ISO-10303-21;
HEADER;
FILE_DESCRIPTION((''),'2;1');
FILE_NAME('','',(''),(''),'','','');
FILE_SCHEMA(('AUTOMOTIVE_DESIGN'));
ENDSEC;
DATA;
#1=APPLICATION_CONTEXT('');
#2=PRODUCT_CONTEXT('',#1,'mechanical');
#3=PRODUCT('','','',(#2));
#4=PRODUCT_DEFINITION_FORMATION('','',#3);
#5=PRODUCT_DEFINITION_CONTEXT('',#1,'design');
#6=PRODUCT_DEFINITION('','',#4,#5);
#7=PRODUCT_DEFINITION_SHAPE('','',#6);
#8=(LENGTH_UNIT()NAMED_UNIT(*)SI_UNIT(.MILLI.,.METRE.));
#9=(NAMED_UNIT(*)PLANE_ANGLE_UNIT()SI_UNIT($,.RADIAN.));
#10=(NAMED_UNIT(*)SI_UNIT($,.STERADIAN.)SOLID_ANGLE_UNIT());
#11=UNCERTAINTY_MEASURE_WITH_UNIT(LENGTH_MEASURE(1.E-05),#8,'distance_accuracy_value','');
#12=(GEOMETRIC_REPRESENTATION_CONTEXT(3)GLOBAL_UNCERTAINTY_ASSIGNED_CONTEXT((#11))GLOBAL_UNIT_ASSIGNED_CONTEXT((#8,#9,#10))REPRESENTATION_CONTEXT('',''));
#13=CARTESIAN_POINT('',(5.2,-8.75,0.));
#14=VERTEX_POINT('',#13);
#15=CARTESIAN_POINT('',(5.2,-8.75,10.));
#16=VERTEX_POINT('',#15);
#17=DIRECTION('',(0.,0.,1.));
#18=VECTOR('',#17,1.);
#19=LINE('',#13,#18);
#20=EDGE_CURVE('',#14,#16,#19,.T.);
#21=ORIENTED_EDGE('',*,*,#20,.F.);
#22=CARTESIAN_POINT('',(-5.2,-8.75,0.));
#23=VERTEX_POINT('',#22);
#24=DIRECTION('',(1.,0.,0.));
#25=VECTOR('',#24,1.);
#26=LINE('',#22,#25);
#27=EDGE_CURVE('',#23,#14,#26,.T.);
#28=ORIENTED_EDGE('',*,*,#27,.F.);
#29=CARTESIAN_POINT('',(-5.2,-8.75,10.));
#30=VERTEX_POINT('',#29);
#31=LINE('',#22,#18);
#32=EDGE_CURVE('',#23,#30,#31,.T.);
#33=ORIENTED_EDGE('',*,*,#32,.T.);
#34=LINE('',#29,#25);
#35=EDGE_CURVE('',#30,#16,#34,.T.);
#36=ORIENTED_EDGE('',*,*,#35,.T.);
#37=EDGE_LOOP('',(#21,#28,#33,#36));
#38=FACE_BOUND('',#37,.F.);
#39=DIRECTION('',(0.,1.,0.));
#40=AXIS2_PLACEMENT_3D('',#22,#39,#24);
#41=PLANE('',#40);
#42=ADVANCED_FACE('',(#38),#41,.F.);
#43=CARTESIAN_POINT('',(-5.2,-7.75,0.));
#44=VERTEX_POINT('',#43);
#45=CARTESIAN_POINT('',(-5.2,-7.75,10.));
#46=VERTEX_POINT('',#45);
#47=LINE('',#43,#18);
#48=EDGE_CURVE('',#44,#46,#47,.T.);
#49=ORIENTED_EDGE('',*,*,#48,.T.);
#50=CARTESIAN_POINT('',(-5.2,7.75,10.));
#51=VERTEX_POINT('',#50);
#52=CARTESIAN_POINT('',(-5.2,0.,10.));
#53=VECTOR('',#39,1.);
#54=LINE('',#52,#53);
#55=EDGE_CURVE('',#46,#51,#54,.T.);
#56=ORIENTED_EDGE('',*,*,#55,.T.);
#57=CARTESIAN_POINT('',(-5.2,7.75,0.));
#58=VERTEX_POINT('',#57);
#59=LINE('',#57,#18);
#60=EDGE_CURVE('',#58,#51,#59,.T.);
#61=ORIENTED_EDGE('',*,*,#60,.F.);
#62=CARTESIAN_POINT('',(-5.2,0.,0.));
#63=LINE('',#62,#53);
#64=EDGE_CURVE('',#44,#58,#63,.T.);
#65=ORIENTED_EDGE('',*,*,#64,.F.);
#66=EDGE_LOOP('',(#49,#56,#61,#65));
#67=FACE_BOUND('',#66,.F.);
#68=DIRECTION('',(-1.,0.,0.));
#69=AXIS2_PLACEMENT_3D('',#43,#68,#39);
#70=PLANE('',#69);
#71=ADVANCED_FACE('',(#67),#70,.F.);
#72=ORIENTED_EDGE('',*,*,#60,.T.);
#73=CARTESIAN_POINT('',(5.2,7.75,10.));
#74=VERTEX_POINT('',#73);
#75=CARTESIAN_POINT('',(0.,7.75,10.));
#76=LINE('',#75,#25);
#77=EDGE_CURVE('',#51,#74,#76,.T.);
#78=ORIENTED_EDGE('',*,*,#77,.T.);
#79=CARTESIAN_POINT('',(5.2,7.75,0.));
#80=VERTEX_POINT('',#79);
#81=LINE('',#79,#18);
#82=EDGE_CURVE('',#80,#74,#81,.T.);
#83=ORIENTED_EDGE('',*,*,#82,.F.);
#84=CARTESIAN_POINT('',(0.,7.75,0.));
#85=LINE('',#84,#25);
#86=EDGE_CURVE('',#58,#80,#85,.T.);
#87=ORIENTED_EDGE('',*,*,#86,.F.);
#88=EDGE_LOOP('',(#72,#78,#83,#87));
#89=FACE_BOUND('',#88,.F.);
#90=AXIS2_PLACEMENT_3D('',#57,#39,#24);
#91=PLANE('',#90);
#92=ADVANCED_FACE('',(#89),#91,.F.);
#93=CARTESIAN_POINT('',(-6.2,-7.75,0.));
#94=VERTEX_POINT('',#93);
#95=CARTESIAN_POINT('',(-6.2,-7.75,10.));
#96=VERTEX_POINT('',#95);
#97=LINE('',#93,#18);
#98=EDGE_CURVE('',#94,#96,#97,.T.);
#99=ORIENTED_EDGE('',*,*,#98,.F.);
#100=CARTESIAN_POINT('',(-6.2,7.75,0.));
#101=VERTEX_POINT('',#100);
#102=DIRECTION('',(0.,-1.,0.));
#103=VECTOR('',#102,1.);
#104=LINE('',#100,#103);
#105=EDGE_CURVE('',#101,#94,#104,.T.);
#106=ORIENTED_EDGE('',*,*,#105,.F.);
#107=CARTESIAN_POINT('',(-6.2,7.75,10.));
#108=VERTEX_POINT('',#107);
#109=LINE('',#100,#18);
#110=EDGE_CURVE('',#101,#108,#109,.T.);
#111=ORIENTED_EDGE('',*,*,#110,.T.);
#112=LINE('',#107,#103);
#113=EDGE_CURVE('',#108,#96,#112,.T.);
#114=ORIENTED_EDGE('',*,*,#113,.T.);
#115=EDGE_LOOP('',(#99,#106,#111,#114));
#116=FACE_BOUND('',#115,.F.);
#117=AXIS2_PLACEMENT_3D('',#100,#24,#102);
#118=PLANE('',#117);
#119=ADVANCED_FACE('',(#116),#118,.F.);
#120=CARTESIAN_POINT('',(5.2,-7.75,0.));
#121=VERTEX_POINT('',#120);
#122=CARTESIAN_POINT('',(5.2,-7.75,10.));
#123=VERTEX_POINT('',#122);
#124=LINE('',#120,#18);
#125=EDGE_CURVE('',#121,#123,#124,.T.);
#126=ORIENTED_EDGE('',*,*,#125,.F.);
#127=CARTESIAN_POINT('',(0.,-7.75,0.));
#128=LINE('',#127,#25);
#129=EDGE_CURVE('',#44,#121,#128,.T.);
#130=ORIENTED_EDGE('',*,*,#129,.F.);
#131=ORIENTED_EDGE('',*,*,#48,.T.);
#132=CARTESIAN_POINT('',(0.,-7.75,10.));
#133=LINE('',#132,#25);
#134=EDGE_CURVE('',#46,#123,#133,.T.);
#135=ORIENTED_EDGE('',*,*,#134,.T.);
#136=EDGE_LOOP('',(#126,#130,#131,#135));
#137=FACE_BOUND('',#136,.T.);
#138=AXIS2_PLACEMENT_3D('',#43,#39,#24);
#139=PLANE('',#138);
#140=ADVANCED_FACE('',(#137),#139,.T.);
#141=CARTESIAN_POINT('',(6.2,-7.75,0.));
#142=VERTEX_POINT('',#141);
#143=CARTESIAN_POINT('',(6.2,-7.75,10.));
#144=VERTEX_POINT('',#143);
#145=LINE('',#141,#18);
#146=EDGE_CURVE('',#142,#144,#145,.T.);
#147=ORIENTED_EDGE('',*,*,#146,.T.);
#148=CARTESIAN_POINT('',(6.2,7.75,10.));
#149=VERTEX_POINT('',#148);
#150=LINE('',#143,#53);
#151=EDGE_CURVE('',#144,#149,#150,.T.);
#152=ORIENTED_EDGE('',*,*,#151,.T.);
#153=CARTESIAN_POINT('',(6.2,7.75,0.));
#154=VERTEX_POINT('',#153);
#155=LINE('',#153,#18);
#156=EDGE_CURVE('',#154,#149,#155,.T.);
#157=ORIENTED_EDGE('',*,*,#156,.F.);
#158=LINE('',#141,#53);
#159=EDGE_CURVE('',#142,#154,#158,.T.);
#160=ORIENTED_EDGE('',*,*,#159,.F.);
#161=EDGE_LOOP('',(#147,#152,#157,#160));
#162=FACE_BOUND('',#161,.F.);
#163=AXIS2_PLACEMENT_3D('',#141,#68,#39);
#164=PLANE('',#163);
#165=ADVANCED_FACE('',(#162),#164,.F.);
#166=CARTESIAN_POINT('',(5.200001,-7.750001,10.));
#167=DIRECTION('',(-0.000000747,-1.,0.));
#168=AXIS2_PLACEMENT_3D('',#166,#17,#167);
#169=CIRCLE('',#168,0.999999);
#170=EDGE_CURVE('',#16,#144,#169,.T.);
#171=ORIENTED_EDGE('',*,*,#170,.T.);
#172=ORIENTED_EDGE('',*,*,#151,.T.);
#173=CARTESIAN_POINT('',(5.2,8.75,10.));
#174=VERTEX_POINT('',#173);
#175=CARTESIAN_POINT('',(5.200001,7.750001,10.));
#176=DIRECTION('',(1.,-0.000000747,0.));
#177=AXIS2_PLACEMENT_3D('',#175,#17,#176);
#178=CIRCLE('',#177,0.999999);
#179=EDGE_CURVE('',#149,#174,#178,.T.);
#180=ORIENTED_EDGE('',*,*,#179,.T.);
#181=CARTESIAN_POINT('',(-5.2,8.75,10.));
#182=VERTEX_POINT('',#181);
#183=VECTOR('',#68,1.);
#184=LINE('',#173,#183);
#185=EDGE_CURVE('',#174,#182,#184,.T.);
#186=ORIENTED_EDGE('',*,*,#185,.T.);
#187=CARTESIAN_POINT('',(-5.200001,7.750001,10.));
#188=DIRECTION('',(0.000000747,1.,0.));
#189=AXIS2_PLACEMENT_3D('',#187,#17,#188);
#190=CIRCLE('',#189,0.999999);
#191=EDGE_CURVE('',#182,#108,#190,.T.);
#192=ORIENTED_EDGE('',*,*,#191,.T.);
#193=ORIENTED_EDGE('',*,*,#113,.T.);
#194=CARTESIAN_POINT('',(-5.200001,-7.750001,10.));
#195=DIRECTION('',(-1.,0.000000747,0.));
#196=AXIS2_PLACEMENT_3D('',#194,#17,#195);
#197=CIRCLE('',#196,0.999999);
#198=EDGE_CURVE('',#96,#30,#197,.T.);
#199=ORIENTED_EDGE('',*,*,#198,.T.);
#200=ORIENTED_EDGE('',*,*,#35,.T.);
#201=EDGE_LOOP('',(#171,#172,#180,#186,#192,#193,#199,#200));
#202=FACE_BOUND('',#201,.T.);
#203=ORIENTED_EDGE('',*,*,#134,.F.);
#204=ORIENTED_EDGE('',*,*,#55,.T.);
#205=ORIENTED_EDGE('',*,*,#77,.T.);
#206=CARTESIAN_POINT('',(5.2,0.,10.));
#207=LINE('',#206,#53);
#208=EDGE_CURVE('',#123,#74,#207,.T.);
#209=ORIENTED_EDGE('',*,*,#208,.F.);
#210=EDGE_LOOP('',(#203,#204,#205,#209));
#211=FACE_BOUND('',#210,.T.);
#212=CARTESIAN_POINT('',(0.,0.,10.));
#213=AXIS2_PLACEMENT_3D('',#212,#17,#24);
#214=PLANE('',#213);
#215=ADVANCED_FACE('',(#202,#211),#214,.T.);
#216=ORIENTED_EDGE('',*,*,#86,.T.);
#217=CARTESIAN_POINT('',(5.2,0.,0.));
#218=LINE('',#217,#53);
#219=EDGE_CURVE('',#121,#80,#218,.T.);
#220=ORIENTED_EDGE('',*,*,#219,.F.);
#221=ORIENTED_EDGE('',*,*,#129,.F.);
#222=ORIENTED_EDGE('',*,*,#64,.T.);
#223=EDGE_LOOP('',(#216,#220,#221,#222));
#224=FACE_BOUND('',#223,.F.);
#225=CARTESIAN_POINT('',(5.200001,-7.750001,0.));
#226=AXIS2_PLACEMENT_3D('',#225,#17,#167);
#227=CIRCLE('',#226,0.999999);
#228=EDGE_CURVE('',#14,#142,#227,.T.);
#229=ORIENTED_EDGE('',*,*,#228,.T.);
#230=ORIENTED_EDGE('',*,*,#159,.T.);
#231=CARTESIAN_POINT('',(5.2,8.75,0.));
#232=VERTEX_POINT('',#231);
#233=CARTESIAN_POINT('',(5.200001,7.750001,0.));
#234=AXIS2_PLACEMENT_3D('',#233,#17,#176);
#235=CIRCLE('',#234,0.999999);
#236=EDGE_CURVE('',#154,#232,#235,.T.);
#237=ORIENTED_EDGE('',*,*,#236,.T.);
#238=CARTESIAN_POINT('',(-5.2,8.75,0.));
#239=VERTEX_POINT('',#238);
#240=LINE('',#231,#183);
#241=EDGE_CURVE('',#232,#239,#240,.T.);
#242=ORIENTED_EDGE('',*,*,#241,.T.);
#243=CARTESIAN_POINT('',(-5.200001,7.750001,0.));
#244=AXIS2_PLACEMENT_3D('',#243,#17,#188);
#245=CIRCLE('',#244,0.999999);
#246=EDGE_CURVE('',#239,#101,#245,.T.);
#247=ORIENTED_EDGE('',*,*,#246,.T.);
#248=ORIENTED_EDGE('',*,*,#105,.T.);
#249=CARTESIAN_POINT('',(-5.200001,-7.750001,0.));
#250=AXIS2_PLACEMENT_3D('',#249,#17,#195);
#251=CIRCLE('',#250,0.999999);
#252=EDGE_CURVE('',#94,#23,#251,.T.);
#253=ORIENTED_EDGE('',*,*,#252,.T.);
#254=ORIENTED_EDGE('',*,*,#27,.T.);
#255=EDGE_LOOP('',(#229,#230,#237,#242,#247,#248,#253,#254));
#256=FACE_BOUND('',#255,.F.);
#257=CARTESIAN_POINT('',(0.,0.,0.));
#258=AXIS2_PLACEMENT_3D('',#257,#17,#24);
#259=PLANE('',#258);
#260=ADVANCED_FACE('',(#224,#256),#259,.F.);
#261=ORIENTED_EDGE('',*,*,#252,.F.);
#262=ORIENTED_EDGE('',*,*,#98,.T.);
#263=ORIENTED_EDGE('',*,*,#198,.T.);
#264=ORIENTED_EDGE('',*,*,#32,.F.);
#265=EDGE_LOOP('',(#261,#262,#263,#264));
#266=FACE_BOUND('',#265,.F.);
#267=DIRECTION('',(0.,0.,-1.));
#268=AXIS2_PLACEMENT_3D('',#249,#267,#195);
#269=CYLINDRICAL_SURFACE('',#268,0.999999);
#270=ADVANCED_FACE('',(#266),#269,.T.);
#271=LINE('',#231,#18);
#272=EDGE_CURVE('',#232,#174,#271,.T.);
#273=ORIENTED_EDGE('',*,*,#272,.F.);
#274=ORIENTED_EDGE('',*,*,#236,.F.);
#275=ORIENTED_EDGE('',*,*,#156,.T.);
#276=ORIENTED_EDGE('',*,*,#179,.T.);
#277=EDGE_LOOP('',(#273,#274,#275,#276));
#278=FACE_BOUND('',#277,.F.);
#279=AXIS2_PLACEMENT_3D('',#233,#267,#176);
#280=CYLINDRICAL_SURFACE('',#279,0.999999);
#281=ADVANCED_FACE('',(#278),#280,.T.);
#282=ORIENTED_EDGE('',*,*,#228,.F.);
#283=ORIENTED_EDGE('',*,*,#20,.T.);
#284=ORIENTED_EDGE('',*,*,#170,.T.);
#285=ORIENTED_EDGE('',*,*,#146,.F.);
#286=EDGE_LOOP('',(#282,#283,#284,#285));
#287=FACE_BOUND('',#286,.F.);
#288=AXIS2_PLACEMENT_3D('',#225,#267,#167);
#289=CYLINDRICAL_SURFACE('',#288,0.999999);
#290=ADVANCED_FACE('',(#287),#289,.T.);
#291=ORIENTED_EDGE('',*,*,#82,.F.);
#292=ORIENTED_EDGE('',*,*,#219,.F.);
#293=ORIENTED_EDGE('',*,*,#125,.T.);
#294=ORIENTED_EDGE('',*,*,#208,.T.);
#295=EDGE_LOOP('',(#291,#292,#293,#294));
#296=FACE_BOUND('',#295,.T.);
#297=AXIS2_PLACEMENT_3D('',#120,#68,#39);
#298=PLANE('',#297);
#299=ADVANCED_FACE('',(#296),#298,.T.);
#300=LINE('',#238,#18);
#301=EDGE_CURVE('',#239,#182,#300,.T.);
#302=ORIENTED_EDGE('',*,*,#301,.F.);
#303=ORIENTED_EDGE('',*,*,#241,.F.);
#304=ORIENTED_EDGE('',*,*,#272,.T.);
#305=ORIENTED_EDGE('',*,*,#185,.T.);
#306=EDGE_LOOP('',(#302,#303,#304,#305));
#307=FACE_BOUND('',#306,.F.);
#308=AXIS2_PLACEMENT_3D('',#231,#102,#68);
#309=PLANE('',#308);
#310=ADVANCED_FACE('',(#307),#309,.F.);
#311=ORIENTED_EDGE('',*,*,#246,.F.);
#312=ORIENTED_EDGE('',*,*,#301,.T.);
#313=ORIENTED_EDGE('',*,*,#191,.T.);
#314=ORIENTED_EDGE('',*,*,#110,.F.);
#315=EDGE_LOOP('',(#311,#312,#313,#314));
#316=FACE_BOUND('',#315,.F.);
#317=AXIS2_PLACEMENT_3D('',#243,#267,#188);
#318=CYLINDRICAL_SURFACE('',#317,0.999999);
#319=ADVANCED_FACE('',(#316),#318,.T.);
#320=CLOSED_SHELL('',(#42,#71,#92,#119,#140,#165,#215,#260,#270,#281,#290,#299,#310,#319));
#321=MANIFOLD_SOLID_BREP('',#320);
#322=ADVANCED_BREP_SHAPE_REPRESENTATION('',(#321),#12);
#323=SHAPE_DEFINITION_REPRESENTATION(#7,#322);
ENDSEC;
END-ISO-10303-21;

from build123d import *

# Parameters (mm, degrees)
SKETCH_W  = 10.4
SKETCH_H  = 15.5
PAD_DEPTH = 10


with BuildPart() as part:
    # Sketch → Pad (new body)
    with BuildSketch(Plane.XY):
        with BuildLine():
            Line((-6.2, 7.75), (-6.2, -7.75))
            ThreePointArc((-6.2, -7.75), (-5.907107, -8.457107), (-5.2, -8.75))
            Line((-5.2, -8.75), (5.2, -8.75))
            ThreePointArc((5.2, -8.75), (5.907107, -8.457107), (6.2, -7.75))
            Line((6.2, -7.75), (6.2, 7.75))
            ThreePointArc((6.2, 7.75), (5.907107, 8.457107), (5.2, 8.75))
            Line((5.2, 8.75), (-5.2, 8.75))
            ThreePointArc((-5.2, 8.75), (-5.907107, 8.457107), (-6.2, 7.75))
        make_face()
        Rectangle(SKETCH_W, SKETCH_H, mode=Mode.SUBTRACT)
    extrude(amount=PAD_DEPTH)


solid = part.part
